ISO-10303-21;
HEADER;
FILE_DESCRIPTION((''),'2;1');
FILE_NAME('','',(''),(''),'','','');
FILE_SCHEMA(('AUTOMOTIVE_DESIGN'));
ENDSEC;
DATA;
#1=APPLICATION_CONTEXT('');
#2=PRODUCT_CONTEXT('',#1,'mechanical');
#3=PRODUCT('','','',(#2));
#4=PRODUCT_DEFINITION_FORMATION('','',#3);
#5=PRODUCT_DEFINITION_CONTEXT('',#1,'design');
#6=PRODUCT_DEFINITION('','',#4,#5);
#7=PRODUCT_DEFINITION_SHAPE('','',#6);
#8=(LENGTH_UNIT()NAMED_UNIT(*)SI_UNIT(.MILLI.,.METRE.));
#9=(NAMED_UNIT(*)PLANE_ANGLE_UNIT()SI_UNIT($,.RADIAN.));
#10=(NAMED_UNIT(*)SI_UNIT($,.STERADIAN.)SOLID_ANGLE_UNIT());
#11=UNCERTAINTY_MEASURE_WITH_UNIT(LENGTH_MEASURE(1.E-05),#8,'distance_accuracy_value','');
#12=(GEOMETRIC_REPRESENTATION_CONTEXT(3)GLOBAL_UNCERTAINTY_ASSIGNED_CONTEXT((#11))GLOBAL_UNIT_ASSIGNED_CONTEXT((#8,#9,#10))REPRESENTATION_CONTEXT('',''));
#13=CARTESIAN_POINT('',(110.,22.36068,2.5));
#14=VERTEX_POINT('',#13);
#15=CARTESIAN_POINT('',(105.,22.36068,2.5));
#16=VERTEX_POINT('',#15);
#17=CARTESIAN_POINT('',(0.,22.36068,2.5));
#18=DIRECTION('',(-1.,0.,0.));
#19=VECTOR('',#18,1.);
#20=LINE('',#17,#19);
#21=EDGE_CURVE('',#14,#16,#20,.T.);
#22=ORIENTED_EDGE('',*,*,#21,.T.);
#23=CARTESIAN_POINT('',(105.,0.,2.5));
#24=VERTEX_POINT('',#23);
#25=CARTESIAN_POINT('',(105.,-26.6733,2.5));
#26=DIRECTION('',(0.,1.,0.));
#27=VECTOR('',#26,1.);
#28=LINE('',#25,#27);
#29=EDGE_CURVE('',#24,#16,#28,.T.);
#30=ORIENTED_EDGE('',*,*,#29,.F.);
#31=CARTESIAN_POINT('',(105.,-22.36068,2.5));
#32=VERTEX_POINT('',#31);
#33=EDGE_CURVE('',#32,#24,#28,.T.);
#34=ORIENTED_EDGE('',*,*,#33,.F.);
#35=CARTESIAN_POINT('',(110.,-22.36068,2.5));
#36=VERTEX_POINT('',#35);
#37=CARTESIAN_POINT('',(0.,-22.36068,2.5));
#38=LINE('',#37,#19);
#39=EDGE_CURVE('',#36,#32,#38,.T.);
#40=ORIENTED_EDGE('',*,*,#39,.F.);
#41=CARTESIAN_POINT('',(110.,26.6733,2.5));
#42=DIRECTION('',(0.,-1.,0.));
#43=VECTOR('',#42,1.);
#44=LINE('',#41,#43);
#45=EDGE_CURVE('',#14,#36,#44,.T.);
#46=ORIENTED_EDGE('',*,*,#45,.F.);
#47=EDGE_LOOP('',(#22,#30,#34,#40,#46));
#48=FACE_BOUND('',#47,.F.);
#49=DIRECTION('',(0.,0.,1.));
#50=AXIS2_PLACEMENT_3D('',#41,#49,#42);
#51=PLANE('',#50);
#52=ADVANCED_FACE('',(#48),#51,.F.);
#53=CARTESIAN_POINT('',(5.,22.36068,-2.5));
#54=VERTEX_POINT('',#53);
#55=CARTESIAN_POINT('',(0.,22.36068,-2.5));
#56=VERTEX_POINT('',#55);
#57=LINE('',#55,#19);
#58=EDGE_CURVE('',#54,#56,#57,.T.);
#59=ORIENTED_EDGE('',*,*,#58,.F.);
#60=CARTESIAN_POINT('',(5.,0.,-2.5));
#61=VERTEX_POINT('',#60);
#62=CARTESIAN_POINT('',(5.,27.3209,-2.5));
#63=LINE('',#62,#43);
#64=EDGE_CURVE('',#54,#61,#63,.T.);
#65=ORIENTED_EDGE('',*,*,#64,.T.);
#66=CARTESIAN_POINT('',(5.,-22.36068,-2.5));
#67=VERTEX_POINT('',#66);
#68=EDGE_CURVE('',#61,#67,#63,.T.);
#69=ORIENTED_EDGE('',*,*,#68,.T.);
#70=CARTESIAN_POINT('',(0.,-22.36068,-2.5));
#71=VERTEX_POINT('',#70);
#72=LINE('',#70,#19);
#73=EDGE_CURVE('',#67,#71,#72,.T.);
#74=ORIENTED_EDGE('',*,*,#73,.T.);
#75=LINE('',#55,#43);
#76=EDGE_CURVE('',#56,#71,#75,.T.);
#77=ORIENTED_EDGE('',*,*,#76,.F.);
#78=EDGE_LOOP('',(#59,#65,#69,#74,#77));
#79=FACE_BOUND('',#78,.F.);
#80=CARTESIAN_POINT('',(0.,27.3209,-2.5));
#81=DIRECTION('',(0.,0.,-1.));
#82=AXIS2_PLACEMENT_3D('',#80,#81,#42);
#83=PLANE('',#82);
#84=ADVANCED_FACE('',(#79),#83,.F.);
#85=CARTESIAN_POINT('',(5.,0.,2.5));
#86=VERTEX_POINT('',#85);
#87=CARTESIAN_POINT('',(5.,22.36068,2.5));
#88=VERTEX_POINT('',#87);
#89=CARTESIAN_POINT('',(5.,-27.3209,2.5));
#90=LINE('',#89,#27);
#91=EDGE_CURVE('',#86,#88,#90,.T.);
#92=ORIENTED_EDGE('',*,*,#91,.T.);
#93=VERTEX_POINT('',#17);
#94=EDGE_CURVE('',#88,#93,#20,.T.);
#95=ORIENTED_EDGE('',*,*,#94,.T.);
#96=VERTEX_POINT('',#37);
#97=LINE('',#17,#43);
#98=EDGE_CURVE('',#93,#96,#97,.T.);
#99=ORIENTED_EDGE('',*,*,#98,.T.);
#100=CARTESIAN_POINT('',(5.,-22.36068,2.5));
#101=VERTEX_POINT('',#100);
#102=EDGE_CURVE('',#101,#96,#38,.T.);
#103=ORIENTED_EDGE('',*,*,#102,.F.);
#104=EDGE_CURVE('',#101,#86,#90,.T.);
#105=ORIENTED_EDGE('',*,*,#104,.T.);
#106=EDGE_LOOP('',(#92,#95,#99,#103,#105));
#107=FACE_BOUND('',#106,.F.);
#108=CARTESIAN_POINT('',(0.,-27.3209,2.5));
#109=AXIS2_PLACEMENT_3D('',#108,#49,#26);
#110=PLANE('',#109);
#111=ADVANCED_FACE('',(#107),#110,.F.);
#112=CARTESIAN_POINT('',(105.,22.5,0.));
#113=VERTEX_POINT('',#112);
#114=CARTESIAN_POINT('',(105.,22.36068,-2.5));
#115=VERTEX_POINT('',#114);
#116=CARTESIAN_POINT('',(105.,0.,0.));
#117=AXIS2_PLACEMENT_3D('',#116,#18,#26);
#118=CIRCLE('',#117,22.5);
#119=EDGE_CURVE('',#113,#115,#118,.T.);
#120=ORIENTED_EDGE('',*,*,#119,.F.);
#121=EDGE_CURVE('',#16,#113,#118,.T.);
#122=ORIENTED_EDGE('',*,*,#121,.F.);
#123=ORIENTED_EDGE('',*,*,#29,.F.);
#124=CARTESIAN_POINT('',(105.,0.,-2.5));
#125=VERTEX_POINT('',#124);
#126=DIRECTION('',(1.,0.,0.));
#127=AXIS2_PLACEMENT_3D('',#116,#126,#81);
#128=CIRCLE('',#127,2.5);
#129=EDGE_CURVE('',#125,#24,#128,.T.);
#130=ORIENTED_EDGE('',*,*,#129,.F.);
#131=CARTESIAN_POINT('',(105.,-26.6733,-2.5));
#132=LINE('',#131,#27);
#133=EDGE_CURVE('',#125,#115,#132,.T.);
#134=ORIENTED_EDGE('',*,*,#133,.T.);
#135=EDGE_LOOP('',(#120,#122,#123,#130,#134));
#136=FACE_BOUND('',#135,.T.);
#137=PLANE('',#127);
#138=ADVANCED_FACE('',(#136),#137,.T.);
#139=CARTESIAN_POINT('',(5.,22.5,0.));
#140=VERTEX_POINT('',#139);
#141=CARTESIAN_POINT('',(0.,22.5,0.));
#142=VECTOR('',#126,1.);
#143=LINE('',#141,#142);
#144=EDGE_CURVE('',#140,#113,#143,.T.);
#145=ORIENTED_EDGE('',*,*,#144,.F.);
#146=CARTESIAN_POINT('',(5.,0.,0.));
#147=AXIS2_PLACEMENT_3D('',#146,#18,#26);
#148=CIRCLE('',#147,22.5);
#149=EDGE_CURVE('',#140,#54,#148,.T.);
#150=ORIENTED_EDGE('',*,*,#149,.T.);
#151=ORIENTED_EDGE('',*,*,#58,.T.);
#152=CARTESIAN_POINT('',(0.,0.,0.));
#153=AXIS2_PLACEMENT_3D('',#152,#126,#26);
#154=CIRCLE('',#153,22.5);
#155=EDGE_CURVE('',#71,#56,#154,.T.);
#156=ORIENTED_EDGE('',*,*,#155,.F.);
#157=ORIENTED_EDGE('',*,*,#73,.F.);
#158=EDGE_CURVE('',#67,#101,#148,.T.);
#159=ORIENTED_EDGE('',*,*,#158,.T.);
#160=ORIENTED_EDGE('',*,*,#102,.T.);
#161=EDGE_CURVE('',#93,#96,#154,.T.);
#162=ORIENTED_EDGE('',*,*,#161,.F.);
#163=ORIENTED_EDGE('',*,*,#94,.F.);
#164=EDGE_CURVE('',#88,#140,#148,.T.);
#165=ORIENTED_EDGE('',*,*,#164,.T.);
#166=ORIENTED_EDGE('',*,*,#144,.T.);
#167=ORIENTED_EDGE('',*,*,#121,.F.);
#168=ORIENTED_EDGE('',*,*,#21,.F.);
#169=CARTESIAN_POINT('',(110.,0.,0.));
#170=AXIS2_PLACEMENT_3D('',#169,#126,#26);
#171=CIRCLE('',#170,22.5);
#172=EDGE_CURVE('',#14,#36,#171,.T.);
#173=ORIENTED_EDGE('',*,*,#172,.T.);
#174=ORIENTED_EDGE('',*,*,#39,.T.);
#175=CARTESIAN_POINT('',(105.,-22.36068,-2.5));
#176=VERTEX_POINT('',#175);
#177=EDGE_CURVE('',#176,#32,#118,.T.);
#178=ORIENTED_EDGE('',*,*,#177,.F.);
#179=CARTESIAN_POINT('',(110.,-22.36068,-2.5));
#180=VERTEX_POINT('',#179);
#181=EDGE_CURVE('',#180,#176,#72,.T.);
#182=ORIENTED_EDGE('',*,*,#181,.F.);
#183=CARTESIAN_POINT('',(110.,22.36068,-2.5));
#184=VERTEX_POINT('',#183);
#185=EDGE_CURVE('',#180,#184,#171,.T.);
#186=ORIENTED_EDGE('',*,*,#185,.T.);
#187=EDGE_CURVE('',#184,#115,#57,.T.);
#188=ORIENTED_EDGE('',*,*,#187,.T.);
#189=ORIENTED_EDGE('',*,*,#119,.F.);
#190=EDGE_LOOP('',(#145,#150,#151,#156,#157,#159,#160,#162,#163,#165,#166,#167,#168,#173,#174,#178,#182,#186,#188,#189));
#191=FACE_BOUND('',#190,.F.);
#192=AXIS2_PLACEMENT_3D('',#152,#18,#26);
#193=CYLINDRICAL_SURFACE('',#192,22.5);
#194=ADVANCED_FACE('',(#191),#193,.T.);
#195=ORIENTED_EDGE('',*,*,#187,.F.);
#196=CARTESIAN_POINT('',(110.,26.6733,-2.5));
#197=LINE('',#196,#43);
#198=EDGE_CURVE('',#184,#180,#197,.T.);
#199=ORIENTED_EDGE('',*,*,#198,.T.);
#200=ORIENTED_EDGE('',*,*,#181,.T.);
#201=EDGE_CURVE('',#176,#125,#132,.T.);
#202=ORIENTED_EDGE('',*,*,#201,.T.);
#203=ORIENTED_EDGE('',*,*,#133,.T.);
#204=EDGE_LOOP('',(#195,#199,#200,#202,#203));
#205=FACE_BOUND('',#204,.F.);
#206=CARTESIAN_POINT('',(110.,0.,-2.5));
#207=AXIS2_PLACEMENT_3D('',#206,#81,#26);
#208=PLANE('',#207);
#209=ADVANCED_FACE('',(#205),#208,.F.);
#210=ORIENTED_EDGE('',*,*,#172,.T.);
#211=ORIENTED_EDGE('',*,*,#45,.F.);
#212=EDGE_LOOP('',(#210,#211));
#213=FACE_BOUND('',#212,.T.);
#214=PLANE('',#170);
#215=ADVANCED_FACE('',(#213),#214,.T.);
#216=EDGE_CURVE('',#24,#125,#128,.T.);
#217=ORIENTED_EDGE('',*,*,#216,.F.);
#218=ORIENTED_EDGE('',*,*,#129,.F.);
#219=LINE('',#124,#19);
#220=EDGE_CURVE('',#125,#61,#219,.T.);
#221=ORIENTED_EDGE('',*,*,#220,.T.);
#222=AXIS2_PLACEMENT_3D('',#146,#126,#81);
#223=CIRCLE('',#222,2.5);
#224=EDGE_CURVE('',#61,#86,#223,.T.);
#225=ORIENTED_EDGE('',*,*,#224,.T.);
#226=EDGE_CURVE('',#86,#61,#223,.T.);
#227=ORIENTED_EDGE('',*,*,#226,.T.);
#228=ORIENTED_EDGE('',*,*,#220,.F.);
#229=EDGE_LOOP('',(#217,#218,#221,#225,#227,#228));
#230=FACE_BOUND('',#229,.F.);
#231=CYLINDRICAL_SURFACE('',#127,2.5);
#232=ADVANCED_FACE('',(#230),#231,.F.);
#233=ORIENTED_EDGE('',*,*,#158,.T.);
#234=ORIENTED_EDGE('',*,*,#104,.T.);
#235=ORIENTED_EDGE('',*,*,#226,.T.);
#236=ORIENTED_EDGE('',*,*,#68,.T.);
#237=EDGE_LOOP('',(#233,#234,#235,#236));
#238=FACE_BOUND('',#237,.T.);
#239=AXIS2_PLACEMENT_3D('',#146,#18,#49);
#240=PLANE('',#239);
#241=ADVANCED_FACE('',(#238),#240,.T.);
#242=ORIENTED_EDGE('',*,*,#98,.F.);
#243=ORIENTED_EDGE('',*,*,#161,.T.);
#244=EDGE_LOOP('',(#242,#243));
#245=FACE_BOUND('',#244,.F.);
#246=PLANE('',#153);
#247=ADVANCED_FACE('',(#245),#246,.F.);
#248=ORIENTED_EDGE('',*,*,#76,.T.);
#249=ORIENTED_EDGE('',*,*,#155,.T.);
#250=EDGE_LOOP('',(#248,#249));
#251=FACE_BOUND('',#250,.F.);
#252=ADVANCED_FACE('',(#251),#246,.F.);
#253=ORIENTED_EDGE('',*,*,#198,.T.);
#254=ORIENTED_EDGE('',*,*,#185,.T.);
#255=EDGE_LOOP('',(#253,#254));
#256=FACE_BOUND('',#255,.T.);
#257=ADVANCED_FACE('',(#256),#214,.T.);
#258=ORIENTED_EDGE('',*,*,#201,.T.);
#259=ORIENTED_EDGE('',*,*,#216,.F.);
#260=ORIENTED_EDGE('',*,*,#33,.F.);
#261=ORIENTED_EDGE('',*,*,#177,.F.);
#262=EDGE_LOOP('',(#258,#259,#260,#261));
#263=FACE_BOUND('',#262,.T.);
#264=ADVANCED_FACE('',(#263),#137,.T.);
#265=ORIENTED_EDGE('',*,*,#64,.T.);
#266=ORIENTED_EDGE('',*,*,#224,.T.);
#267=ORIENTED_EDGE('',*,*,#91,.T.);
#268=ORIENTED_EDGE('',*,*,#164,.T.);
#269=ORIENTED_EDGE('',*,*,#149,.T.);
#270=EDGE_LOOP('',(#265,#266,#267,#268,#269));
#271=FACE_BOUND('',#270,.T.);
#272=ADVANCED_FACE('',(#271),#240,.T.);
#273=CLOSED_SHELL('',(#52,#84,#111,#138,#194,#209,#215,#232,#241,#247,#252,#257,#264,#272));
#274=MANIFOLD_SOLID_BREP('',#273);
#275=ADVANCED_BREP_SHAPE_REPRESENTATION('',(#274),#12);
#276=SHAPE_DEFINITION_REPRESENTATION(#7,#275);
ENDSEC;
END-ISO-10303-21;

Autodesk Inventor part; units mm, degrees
ref_plane "YZ Plane" through (0, 0, 0) normal (1, 0, 0) x (0, 1, 0)
ref_plane "XZ Plane" through (0, 0, 0) normal (0, 1, 0) x (-1, 0, 0)
ref_plane "XY Plane" through (0, 0, 0) normal (0, 0, 1) x (1, 0, 0)
sketch "Sketch1" plane through (0, 0, 0) normal (1, 0, 0) x (0, 1, 0)
  circle A0 centre (0, 0) radius 22.5
  dimension "d0" = 45
extrude "Extrusion1" add sketch "Sketch1" along normal blind 110
sketch "Sketch2" plane through (110, 0, 0) normal (1, 0, 0) x (0, 0, -1)
  line L0 (2.5, 26.6733) -> (-2.5, 26.6733)
  line L1 (-2.5, 26.6733) -> (-2.5, -26.6733)
  line L2 (-2.5, -26.6733) -> (2.5, -26.6733)
  line L3 (2.5, -26.6733) -> (2.5, 26.6733)
  line L4 (2.5, 26.6733) -> (-2.5, -26.6733) construction
  line L5 (-2.5, 26.6733) -> (2.5, -26.6733) construction
  circle A0 centre (0, 0) radius 2.5
  dimension "d3" = 5
  dimension "d12" = 5
extrude "Extrusion2" cut sketch "Sketch2" against normal blind 5
sketch "Sketch4" plane through (0, 0, 0) normal (-1, 0, 0) x (0, 0, 1)
  line L0 (-2.5, -27.3209) -> (2.5, -27.3209)
  line L1 (2.5, -27.3209) -> (2.5, 27.3209)
  line L2 (2.5, 27.3209) -> (-2.5, 27.3209)
  line L3 (-2.5, 27.3209) -> (-2.5, -27.3209)
  line L4 (-2.5, -27.3209) -> (2.5, 27.3209) construction
  line L5 (2.5, -27.3209) -> (-2.5, 27.3209) construction
  point P0 (0, 0)
  dimension "d9" = 5
extrude "Extrusion4" cut sketch "Sketch4" against normal blind 5
sketch "Sketch5" plane through (105, 0, 0) normal (1, 0, 0) x (0, 0, -1)
  circle A0 centre (0, 0) radius 2.5
  dimension "d13" = 5
extrude "Extrusion5" cut sketch "Sketch5" against normal blind 110
properties part number "Conveyor Belt Shaft" material "Stainless Steel AISI 440C, Welded"
